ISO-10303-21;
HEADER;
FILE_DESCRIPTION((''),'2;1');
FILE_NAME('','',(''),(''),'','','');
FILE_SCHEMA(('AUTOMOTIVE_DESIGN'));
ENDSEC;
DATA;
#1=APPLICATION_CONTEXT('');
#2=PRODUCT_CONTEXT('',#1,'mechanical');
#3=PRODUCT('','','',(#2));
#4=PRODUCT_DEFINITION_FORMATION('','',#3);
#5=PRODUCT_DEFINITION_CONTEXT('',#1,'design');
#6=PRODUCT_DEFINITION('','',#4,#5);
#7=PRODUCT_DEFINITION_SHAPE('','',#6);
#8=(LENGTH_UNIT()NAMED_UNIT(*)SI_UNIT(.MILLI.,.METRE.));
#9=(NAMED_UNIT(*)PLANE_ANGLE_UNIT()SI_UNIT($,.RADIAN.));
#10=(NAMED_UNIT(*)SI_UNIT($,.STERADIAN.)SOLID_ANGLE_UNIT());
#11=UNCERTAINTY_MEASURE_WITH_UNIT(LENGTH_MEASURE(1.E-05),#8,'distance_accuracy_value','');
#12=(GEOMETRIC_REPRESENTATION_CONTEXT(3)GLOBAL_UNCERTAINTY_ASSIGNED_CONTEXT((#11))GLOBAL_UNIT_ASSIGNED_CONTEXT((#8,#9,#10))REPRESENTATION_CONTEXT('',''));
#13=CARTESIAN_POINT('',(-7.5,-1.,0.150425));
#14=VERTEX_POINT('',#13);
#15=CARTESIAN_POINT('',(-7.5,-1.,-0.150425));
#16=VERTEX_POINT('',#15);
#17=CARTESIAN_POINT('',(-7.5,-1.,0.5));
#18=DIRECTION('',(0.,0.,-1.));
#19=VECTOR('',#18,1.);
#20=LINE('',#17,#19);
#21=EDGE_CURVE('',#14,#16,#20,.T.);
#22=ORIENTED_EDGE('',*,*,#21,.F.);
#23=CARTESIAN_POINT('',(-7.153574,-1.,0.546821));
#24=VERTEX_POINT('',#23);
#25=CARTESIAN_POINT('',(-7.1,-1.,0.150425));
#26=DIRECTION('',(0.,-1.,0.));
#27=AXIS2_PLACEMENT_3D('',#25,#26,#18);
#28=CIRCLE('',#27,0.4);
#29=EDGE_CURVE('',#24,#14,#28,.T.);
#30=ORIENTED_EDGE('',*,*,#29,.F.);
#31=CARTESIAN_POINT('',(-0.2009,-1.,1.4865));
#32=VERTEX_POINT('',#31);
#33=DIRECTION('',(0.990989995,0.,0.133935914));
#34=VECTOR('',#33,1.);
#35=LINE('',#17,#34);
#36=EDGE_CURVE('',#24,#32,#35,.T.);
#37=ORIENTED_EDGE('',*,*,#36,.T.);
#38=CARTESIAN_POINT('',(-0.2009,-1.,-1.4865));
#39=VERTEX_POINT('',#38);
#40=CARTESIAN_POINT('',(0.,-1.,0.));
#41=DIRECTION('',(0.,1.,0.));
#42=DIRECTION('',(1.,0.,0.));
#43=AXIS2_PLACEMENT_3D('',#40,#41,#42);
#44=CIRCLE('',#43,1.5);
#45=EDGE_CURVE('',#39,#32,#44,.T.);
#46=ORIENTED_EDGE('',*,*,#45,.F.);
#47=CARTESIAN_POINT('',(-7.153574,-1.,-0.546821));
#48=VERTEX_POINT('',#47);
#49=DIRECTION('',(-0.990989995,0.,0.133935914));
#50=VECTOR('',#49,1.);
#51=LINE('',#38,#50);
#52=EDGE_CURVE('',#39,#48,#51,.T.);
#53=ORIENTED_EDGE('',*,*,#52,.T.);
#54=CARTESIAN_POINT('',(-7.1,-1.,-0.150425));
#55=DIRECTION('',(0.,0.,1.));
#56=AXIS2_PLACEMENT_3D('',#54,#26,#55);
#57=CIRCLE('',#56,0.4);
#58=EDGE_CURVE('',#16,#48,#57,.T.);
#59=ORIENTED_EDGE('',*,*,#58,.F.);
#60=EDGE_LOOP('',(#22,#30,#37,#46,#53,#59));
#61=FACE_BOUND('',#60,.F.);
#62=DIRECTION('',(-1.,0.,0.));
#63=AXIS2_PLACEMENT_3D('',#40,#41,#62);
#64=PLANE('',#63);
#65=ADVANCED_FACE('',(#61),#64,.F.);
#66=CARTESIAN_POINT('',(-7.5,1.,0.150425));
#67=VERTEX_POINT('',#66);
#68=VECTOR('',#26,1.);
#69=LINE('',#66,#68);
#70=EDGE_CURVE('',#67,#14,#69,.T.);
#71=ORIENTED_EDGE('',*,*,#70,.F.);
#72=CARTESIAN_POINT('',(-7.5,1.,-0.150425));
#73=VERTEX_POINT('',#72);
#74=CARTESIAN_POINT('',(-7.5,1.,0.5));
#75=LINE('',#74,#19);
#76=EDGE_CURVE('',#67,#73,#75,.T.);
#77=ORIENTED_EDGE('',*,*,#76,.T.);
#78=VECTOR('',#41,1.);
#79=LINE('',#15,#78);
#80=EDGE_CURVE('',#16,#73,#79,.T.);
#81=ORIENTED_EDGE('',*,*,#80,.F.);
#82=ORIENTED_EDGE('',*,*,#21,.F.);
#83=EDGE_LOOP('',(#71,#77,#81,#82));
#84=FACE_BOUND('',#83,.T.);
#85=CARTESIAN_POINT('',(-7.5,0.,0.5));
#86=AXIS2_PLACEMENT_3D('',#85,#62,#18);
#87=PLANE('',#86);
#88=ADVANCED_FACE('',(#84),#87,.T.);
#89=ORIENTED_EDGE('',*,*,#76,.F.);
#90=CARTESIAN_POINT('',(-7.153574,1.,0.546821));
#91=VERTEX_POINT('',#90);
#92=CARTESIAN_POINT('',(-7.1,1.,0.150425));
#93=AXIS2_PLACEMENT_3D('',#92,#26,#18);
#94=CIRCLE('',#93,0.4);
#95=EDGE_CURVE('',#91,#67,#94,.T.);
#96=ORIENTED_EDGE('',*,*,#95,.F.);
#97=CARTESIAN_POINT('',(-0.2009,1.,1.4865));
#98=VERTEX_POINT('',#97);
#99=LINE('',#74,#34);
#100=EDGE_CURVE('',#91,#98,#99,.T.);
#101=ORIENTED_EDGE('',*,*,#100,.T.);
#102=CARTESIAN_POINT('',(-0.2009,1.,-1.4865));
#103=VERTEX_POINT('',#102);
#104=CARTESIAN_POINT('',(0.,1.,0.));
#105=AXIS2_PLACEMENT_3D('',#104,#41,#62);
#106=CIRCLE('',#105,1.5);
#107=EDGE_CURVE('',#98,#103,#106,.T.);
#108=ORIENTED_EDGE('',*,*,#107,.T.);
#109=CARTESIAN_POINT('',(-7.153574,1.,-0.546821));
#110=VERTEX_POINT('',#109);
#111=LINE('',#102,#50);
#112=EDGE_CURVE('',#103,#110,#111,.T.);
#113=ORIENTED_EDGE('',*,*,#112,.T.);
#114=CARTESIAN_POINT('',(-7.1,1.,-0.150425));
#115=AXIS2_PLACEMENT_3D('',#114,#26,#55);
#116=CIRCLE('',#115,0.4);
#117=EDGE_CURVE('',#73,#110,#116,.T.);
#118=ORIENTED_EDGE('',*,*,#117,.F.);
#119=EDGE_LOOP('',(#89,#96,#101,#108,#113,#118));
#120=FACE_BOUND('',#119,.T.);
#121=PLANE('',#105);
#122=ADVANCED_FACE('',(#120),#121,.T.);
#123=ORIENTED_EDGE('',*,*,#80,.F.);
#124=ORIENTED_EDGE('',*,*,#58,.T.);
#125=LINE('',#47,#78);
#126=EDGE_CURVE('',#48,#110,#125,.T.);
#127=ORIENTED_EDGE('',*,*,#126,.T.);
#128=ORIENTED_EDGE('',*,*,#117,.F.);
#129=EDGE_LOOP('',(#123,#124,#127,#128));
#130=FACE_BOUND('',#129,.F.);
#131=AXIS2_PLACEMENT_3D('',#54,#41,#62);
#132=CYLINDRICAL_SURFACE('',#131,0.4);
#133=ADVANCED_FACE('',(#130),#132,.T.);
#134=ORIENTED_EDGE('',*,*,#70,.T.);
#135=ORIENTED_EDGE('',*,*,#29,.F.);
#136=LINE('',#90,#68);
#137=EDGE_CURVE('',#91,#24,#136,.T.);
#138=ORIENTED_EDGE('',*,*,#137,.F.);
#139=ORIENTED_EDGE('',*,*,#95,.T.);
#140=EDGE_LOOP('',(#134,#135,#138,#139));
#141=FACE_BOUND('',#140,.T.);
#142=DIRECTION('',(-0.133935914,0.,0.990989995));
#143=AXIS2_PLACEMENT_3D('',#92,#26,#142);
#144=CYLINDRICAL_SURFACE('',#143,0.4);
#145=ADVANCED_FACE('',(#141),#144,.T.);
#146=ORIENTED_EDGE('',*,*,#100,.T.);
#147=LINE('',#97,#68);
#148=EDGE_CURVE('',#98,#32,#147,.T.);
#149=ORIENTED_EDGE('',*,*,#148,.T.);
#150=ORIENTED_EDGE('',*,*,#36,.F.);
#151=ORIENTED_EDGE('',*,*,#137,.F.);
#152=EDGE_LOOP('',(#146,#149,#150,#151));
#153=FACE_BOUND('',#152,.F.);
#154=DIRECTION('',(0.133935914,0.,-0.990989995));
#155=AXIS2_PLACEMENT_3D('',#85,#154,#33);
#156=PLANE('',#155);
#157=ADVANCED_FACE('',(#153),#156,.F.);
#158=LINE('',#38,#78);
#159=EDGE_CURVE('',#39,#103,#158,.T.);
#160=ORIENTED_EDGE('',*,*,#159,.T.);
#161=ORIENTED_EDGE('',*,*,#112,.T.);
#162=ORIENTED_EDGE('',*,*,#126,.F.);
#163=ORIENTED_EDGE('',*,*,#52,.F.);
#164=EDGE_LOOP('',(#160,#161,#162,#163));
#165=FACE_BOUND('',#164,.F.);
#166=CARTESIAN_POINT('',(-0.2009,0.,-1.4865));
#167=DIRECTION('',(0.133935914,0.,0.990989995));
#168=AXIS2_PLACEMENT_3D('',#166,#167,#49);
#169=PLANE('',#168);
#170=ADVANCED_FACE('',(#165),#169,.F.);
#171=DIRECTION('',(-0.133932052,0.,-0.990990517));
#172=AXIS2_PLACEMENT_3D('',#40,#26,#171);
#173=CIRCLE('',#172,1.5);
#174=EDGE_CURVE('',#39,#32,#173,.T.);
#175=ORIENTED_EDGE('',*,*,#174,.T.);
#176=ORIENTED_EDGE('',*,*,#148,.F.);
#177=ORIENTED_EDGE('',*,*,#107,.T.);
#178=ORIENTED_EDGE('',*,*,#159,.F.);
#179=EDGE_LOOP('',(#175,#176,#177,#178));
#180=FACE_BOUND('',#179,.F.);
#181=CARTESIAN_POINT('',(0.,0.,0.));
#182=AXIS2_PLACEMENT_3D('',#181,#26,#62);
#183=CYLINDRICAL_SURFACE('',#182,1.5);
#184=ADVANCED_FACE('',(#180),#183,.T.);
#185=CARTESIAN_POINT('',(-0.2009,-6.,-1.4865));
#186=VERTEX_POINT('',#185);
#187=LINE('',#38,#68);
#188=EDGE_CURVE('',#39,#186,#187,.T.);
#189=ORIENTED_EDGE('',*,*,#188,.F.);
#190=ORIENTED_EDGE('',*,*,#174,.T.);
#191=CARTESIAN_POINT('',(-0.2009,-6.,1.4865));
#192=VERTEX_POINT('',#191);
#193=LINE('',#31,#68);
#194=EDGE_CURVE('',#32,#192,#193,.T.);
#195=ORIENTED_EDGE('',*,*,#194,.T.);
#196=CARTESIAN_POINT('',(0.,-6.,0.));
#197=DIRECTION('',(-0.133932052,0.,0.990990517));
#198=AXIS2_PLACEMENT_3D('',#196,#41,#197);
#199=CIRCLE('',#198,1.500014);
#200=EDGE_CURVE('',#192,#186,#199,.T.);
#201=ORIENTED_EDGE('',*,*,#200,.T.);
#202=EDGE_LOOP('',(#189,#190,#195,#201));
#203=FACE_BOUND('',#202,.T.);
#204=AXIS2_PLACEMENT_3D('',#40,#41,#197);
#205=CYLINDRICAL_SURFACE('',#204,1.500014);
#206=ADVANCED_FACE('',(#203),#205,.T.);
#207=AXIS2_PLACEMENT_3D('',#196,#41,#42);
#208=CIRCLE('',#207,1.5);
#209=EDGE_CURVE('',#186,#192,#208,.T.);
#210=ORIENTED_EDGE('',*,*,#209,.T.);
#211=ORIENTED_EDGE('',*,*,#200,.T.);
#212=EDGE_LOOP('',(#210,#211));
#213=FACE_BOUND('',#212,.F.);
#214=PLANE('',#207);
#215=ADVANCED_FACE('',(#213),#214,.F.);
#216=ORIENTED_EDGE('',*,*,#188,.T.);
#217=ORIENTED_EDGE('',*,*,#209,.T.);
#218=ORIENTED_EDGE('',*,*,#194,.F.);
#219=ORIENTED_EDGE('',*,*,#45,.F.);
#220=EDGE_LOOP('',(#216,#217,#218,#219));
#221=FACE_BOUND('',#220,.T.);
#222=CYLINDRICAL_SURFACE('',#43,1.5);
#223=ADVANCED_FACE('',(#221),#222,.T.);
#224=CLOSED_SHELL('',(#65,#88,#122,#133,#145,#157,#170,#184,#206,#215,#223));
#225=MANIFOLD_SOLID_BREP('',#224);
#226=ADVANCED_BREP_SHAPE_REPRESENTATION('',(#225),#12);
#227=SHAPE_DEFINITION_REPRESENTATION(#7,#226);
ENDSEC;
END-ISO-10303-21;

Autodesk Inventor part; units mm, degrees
ref_plane "YZ Plane" through (0, 0, 0) normal (1, 0, 0) x (0, 1, 0)
ref_plane "XZ Plane" through (0, 0, 0) normal (0, 1, 0) x (-1, 0, 0)
ref_plane "XY Plane" through (0, 0, 0) normal (0, 0, 1) x (1, 0, 0)
sketch "Sketch1" plane through (0, 0, 0) normal (0, 1, 0) x (-1, 0, 0)
  circle A0 centre (0, 0) radius 1.5
  line L0 (0.2009, -1.4865) -> (7.5, -0.5)
  line L1 (7.5, 0.5) -> (0.2009, 1.4865)
  line L2 (7.5, 0.5) -> (7.5, -0.5)
  point P0 (7.5, 0)
  dimension "d2" = 3
  dimension "d13" = 7.5
  dimension "d14" = 1
extrude "Extrusion1" add sketch "Sketch1" along normal mid plane 2
sketch "Sketch2" plane through (0, -1, 0) normal (0, 1, 0) x (1, 0, 0)
  arc A0 (-0.2009, -1.4865) -> (-0.2009, 1.4865) centre (0, 0) ccw projected
  circle A1 centre (0, 0) radius 1.5
extrude "Extrusion2" add sketch "Sketch2" against normal blind 5
fillet "Fillet1" radius 0.4 2 edges at (-7.5, 0, -0.5) (-7.5, 0, 0.5)
properties part number "Pawl2"
